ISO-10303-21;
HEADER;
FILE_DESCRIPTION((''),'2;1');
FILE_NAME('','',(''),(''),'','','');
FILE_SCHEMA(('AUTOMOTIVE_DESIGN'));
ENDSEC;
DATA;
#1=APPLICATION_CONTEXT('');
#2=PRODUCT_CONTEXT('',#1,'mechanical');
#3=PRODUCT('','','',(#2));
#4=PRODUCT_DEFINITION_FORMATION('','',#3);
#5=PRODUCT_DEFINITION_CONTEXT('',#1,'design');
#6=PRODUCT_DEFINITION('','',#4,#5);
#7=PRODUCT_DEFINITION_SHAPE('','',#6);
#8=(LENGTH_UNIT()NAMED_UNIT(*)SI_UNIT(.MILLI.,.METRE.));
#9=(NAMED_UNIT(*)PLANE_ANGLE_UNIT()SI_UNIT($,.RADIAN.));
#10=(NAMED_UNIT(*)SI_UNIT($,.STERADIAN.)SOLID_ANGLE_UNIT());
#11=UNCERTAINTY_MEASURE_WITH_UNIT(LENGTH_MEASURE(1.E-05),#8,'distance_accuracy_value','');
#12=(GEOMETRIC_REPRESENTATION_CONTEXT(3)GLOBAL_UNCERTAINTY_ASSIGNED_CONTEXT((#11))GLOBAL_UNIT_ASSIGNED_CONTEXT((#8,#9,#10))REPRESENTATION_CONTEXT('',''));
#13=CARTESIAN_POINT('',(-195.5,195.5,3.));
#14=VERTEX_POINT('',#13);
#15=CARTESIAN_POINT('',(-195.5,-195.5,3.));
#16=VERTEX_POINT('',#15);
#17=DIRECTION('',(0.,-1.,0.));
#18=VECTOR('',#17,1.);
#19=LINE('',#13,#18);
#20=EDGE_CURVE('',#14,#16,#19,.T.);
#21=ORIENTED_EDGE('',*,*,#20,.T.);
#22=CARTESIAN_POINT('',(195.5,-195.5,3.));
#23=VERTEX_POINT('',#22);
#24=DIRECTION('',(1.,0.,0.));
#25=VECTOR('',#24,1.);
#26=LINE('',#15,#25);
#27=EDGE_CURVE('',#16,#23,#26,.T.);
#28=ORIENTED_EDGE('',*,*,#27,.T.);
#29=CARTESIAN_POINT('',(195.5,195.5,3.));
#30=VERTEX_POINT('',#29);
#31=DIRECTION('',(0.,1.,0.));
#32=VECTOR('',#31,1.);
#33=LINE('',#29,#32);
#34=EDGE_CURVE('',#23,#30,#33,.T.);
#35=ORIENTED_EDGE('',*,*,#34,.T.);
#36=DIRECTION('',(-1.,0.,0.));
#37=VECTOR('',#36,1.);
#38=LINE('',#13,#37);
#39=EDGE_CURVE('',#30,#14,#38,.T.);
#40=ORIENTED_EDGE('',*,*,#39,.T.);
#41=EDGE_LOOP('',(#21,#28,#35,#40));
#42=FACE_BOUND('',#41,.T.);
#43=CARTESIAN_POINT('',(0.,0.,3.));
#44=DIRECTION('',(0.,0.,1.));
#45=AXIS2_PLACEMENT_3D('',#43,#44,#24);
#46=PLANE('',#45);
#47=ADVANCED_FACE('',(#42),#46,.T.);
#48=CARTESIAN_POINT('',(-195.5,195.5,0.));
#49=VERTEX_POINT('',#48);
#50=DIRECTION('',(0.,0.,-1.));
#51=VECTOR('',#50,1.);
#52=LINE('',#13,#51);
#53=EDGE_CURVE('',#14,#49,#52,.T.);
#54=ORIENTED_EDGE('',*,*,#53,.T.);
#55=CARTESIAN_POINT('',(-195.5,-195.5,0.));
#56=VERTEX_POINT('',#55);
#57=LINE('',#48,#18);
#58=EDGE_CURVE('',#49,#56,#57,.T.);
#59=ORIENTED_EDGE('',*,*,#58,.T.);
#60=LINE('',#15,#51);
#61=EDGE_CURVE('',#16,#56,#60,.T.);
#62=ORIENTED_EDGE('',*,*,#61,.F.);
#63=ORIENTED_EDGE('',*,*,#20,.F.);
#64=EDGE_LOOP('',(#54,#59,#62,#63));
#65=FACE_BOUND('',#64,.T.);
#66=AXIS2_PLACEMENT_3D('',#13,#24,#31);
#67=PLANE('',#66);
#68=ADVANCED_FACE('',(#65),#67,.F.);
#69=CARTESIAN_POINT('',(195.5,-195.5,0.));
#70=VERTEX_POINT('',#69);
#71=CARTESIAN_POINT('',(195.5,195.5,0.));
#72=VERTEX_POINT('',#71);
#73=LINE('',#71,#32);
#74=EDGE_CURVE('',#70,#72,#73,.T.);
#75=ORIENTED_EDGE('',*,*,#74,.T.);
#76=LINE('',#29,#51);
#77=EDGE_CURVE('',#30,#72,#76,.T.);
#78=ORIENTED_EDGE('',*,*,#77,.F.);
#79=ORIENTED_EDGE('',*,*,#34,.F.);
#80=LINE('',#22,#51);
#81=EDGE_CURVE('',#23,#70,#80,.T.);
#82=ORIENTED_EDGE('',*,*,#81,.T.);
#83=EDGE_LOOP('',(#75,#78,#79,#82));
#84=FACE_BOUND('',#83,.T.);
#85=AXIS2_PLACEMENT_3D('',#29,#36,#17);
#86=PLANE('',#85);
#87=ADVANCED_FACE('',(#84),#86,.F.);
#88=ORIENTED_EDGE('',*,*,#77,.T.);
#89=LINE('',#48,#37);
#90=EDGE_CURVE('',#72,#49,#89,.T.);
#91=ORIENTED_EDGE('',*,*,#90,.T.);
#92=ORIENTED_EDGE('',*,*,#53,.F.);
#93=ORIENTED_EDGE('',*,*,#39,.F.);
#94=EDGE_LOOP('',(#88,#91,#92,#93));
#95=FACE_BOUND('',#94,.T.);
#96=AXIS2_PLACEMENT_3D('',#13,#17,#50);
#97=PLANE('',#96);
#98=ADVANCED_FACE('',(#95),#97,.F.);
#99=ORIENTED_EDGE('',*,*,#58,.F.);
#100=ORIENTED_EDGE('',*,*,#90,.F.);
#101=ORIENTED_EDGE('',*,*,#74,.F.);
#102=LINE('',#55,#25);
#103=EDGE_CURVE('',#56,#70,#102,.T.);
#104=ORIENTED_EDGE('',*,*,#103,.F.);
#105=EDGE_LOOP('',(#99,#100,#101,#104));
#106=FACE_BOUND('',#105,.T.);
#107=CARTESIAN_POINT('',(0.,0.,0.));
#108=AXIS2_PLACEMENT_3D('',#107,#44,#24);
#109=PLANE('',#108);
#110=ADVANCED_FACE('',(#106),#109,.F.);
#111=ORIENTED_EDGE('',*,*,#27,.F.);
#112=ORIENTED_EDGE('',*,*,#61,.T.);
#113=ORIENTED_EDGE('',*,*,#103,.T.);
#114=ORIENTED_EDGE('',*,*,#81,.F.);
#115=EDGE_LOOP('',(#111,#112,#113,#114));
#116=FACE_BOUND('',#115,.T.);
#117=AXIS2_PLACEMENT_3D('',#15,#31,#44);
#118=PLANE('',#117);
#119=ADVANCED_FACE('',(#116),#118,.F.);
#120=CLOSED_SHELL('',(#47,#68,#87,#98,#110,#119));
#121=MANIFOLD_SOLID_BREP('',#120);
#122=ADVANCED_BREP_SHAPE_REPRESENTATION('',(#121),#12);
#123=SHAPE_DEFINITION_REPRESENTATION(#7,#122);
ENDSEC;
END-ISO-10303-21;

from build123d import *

# Parameters (mm, degrees)
SKETCH_1_W      = 391
SKETCH_1_H      = 391
EXTRUDE_1_DEPTH = 3


with BuildPart() as part:
    # 草圖1 → 填料-伸長1 (new body)
    with BuildSketch(Plane.XY):
        Rectangle(SKETCH_1_W, SKETCH_1_H)
    extrude(amount=EXTRUDE_1_DEPTH)


solid = part.part
